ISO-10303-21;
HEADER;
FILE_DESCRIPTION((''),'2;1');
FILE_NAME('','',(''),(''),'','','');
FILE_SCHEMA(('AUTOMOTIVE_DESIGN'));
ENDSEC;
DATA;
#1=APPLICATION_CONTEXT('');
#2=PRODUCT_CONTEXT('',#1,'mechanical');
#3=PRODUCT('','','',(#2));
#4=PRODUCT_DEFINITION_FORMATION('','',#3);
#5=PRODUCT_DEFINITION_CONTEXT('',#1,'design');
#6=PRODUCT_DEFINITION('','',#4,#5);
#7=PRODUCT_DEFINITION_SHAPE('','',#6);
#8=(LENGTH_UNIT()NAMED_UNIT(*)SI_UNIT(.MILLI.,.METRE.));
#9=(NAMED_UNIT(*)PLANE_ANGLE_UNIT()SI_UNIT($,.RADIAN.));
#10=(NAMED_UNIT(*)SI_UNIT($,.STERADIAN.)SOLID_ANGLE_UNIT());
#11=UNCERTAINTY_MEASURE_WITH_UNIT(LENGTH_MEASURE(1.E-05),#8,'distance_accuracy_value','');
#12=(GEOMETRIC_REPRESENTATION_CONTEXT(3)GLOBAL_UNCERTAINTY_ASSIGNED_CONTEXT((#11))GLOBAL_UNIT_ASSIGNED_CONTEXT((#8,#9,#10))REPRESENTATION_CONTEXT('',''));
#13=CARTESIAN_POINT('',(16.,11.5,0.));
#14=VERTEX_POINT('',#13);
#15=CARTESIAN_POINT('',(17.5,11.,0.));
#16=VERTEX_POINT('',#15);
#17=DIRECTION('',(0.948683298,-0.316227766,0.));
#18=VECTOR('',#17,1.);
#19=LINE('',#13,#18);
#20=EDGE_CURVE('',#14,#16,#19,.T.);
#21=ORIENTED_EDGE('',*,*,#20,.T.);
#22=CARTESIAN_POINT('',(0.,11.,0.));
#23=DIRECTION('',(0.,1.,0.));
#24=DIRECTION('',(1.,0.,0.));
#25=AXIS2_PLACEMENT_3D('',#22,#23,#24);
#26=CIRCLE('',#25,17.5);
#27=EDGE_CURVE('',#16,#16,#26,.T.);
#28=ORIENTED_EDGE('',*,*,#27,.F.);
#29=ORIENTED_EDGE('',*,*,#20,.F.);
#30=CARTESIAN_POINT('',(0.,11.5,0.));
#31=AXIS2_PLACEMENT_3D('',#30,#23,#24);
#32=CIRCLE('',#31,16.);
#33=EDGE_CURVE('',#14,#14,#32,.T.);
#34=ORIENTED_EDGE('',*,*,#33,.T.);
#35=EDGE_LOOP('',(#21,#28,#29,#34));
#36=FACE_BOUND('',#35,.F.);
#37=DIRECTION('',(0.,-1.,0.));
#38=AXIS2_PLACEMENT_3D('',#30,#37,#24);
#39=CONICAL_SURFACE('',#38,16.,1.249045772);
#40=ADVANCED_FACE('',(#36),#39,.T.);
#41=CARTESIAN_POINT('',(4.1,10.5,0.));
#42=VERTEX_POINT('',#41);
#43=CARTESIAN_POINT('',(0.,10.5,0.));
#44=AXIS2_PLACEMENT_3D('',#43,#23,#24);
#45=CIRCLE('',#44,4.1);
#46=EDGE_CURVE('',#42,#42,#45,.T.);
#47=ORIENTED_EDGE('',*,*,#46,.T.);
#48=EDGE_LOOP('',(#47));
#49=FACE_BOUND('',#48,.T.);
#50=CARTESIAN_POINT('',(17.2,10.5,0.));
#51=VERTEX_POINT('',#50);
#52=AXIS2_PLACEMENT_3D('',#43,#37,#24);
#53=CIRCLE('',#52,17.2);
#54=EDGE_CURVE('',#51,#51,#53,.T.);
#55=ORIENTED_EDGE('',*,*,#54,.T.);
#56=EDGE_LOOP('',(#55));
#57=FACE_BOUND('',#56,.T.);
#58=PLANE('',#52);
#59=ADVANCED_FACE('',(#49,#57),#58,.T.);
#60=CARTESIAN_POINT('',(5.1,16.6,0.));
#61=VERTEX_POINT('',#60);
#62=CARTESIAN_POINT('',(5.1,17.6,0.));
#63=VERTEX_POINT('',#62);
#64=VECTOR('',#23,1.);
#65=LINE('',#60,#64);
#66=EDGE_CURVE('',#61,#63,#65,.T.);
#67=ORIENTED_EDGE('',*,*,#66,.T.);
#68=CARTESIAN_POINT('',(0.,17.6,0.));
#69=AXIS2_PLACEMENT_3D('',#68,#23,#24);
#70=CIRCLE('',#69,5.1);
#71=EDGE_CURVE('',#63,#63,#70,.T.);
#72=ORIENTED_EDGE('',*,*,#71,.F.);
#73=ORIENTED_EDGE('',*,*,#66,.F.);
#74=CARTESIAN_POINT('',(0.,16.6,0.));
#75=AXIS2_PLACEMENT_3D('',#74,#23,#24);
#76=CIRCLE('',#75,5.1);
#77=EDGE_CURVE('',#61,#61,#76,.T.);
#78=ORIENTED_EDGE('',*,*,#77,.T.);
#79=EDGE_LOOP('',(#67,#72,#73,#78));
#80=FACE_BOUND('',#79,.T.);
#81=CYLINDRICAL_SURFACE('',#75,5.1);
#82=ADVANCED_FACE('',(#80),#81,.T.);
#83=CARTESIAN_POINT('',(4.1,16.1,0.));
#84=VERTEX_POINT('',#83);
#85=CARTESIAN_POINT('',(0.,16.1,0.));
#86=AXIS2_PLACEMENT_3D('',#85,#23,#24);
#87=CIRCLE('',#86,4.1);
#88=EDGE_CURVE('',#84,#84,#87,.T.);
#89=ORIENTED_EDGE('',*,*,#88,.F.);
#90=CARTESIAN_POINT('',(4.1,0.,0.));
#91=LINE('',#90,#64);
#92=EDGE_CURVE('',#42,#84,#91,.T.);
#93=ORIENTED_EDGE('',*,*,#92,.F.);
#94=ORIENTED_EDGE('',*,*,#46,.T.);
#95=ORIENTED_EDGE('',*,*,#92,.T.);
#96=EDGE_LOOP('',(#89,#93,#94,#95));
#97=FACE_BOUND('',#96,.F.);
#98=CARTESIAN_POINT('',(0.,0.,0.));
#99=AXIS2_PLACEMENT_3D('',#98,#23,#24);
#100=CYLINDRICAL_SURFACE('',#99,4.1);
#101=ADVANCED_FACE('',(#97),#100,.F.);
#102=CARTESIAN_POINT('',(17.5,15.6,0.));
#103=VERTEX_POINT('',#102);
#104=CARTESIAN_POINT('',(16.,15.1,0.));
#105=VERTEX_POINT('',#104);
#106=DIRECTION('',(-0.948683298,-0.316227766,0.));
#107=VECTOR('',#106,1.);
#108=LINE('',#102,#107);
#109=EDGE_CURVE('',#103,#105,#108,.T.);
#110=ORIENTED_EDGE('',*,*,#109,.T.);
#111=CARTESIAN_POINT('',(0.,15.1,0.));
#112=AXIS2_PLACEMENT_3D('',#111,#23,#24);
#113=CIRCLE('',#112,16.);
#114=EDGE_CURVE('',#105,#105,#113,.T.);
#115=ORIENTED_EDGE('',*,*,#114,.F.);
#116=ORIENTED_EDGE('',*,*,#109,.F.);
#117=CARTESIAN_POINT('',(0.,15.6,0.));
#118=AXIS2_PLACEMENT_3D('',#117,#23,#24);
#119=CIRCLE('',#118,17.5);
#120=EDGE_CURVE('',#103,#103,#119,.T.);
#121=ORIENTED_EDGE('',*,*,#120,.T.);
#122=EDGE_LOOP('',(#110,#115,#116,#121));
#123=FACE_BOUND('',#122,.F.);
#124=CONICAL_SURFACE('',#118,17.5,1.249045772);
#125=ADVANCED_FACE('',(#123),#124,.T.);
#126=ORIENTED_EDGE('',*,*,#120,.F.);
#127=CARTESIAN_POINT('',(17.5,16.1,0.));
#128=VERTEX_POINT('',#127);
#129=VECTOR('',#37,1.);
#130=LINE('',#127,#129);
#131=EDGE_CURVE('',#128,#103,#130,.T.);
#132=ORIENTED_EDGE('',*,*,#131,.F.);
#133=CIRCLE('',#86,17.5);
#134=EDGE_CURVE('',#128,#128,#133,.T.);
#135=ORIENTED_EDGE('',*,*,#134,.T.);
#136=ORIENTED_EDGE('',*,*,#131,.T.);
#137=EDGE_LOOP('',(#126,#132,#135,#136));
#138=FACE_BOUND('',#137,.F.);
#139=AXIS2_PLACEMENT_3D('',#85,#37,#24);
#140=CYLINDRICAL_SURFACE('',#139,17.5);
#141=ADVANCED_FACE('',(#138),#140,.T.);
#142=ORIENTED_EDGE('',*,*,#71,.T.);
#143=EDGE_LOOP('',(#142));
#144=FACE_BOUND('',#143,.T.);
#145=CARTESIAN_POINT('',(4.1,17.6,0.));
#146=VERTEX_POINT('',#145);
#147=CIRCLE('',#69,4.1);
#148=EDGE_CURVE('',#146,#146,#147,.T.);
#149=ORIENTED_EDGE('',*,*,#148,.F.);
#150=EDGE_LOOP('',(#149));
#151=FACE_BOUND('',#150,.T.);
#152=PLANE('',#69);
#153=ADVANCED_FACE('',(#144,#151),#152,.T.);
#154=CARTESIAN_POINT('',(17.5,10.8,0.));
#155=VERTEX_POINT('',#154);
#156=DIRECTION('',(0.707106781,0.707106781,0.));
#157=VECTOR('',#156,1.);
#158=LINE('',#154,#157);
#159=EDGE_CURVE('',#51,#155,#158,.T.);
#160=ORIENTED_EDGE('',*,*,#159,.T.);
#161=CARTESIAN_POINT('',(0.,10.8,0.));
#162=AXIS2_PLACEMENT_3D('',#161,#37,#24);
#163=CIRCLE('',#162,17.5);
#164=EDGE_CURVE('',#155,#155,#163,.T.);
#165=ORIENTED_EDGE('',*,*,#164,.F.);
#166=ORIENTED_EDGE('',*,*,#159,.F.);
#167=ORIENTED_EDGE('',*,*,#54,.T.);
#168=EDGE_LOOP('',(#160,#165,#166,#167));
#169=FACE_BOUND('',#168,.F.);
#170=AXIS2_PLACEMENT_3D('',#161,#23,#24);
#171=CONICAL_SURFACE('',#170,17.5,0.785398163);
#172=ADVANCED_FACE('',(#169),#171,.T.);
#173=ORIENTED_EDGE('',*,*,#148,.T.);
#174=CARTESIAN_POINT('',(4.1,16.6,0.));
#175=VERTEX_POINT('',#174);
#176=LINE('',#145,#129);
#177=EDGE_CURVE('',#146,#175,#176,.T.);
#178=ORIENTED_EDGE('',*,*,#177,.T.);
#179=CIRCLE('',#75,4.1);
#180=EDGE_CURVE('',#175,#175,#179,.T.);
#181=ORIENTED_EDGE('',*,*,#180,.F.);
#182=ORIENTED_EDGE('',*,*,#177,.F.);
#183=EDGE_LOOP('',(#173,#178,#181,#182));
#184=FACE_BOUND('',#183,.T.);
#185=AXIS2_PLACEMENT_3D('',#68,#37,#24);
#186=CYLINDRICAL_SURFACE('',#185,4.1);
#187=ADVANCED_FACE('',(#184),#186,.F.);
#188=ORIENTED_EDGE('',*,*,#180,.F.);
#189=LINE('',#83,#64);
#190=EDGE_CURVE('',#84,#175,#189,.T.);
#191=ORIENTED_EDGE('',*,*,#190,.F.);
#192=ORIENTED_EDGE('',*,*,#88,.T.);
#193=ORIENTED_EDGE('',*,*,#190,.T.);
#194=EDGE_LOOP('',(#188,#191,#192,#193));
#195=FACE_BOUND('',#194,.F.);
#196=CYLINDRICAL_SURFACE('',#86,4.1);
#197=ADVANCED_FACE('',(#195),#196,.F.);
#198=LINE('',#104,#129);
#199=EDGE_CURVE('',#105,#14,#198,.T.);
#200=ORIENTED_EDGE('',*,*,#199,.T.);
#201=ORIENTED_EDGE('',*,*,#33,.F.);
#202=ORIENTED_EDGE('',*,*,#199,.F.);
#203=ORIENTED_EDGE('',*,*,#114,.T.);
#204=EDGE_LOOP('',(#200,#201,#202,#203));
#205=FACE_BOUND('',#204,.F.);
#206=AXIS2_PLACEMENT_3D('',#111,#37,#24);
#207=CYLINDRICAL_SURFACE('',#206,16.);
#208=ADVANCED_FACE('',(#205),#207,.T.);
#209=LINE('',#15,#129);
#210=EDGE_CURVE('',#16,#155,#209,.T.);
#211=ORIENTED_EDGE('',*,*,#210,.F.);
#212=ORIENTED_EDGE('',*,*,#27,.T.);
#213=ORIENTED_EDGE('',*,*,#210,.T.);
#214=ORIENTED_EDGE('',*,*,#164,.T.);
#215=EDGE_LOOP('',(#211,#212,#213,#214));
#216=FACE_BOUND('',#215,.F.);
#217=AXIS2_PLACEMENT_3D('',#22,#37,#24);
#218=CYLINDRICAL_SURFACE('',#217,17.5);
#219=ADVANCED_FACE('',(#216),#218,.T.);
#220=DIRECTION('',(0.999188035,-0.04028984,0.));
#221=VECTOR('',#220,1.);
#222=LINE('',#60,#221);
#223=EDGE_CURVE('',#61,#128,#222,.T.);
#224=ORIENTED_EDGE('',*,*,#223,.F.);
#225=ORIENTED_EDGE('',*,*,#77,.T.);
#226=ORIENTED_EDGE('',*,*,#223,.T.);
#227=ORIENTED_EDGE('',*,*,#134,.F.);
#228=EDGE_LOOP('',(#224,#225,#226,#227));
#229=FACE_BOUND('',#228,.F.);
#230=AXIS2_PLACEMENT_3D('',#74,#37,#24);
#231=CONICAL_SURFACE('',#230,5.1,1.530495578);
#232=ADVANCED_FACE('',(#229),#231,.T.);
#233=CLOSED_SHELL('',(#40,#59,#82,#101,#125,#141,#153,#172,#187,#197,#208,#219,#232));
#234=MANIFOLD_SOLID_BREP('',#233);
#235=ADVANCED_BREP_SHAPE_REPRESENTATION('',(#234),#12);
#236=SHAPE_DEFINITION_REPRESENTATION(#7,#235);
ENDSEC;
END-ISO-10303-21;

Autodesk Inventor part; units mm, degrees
ref_plane "XZ Plane" through (0, 0, 0) normal (0, 1, 0) x (-1, 0, 0)
ref_plane "XY Plane" through (0, 0, 0) normal (0, 0, 1) x (1, 0, 0)
sketch "Sketch1" plane through (0, 0, 0) normal (0, 0, 1) x (1, 0, 0)
  line L0 (0, 0) -> (0, 16.1) construction
  line L1 (0, 0) -> (4.1, 0) construction
  line L2 (4.1, 0) -> (4.1, 16.1)
  line L3 (4.1, 16.1) -> (0, 16.1) construction
  line L4 (4.1, 16.1) -> (17.5, 16.1) construction
  line L5 (17.5, 16.1) -> (17.5, 15.6)
  line L6 (17.5, 15.6) -> (16, 15.1)
  line L7 (16, 15.1) -> (16, 11.5)
  line L8 (16, 11.5) -> (17.5, 11)
  line L9 (17.5, 11) -> (17.5, 10)
  line L10 (17.5, 10) -> (9, 6)
  line L11 (9, 6) -> (9, 0)
  line L12 (9, 0) -> (4.1, 0)
  line L13 (9, 0) -> (5.1, -1) construction
  line L14 (5.1, -1) -> (4.1, -1) construction
  line L15 (4.1, -1) -> (4.1, 0) construction
  line L16 (4.1, 16.1) -> (4.1, 16.6)
  line L17 (4.1, 16.6) -> (5.1, 16.6) construction
  line L18 (5.1, 16.6) -> (17.5, 16.1)
  line L19 (5.1, 16.6) -> (5.1, 17.6)
  line L20 (5.1, 17.6) -> (4.1, 17.6)
  line L21 (4.1, 17.6) -> (4.1, 16.6)
  dimension "d0" = 4.1
  dimension "d1" = 3.6
  dimension "d2" = 0.5
  dimension "d3" = 1
  dimension "d4" = 0.5
  dimension "d5" = 1.5
  dimension "d6" = 9
  dimension "d7" = 16
  dimension "d8" = 4
  dimension "d9" = 6
  dimension "d11" = 1
  dimension "d12" = 1
  dimension "d13" = 1
  dimension "d14" = 0.5
  dimension "d15" = 1
revolve "Revolution1" add sketch "Sketch1" angle 360 about axis through (0, 0, 0) along (0, 1, 0)
ref_plane "Work Plane1" through (4, 0, 0) normal (1, 0, 0) x (0, 1, 0)
sketch "Sketch2" plane through (4, 0, 0) normal (1, 0, 0) x (0, 1, 0)
  line L0 (0, 0) -> (2.85, 0) construction
  line L1 (0, 2.85) -> (5.7, 2.85)
  line L2 (5.7, 2.85) -> (5.7, -2.85)
  line L3 (5.7, -2.85) -> (0, -2.85)
  line L4 (0, -2.85) -> (0, 2.85)
  line L5 (0, 2.85) -> (5.7, -2.85) construction
  line L6 (5.7, 2.85) -> (0, -2.85) construction
  line L7 (0, 4.1) -> (0, -4.1) projected
  dimension "d17" = 5.7
  dimension "d18" = 5.7
extrude "Extrusion1" cut sketch "Sketch2" along normal blind 2.5 and the other way blind 3
sketch "Sketch3" plane through (4, 0, 0) normal (1, 0, 0) x (0, 1, 0)
  line L0 (5.7, -2.85) -> (0, 2.85) construction
  circle A0 centre (2.85, 0) radius 1.7
  point P0 (0, 0)
  dimension "d23" = 3.4
extrude "Extrusion2" cut sketch "Sketch3" along normal through all
sketch "Sketch4" plane through (0, 0, 0) normal (0, -1, 0) x (1, 0, 0)
  circle A0 centre (0, 0) radius 26.9979
extrude "SetScrewDelete" cut sketch "Sketch4" against normal blind 10.5
chamfer "Chamfer1" distance 0.3 angle 45 1 edges at (-17.5, 10.5, 0)
properties part number "DrivenPulley"
